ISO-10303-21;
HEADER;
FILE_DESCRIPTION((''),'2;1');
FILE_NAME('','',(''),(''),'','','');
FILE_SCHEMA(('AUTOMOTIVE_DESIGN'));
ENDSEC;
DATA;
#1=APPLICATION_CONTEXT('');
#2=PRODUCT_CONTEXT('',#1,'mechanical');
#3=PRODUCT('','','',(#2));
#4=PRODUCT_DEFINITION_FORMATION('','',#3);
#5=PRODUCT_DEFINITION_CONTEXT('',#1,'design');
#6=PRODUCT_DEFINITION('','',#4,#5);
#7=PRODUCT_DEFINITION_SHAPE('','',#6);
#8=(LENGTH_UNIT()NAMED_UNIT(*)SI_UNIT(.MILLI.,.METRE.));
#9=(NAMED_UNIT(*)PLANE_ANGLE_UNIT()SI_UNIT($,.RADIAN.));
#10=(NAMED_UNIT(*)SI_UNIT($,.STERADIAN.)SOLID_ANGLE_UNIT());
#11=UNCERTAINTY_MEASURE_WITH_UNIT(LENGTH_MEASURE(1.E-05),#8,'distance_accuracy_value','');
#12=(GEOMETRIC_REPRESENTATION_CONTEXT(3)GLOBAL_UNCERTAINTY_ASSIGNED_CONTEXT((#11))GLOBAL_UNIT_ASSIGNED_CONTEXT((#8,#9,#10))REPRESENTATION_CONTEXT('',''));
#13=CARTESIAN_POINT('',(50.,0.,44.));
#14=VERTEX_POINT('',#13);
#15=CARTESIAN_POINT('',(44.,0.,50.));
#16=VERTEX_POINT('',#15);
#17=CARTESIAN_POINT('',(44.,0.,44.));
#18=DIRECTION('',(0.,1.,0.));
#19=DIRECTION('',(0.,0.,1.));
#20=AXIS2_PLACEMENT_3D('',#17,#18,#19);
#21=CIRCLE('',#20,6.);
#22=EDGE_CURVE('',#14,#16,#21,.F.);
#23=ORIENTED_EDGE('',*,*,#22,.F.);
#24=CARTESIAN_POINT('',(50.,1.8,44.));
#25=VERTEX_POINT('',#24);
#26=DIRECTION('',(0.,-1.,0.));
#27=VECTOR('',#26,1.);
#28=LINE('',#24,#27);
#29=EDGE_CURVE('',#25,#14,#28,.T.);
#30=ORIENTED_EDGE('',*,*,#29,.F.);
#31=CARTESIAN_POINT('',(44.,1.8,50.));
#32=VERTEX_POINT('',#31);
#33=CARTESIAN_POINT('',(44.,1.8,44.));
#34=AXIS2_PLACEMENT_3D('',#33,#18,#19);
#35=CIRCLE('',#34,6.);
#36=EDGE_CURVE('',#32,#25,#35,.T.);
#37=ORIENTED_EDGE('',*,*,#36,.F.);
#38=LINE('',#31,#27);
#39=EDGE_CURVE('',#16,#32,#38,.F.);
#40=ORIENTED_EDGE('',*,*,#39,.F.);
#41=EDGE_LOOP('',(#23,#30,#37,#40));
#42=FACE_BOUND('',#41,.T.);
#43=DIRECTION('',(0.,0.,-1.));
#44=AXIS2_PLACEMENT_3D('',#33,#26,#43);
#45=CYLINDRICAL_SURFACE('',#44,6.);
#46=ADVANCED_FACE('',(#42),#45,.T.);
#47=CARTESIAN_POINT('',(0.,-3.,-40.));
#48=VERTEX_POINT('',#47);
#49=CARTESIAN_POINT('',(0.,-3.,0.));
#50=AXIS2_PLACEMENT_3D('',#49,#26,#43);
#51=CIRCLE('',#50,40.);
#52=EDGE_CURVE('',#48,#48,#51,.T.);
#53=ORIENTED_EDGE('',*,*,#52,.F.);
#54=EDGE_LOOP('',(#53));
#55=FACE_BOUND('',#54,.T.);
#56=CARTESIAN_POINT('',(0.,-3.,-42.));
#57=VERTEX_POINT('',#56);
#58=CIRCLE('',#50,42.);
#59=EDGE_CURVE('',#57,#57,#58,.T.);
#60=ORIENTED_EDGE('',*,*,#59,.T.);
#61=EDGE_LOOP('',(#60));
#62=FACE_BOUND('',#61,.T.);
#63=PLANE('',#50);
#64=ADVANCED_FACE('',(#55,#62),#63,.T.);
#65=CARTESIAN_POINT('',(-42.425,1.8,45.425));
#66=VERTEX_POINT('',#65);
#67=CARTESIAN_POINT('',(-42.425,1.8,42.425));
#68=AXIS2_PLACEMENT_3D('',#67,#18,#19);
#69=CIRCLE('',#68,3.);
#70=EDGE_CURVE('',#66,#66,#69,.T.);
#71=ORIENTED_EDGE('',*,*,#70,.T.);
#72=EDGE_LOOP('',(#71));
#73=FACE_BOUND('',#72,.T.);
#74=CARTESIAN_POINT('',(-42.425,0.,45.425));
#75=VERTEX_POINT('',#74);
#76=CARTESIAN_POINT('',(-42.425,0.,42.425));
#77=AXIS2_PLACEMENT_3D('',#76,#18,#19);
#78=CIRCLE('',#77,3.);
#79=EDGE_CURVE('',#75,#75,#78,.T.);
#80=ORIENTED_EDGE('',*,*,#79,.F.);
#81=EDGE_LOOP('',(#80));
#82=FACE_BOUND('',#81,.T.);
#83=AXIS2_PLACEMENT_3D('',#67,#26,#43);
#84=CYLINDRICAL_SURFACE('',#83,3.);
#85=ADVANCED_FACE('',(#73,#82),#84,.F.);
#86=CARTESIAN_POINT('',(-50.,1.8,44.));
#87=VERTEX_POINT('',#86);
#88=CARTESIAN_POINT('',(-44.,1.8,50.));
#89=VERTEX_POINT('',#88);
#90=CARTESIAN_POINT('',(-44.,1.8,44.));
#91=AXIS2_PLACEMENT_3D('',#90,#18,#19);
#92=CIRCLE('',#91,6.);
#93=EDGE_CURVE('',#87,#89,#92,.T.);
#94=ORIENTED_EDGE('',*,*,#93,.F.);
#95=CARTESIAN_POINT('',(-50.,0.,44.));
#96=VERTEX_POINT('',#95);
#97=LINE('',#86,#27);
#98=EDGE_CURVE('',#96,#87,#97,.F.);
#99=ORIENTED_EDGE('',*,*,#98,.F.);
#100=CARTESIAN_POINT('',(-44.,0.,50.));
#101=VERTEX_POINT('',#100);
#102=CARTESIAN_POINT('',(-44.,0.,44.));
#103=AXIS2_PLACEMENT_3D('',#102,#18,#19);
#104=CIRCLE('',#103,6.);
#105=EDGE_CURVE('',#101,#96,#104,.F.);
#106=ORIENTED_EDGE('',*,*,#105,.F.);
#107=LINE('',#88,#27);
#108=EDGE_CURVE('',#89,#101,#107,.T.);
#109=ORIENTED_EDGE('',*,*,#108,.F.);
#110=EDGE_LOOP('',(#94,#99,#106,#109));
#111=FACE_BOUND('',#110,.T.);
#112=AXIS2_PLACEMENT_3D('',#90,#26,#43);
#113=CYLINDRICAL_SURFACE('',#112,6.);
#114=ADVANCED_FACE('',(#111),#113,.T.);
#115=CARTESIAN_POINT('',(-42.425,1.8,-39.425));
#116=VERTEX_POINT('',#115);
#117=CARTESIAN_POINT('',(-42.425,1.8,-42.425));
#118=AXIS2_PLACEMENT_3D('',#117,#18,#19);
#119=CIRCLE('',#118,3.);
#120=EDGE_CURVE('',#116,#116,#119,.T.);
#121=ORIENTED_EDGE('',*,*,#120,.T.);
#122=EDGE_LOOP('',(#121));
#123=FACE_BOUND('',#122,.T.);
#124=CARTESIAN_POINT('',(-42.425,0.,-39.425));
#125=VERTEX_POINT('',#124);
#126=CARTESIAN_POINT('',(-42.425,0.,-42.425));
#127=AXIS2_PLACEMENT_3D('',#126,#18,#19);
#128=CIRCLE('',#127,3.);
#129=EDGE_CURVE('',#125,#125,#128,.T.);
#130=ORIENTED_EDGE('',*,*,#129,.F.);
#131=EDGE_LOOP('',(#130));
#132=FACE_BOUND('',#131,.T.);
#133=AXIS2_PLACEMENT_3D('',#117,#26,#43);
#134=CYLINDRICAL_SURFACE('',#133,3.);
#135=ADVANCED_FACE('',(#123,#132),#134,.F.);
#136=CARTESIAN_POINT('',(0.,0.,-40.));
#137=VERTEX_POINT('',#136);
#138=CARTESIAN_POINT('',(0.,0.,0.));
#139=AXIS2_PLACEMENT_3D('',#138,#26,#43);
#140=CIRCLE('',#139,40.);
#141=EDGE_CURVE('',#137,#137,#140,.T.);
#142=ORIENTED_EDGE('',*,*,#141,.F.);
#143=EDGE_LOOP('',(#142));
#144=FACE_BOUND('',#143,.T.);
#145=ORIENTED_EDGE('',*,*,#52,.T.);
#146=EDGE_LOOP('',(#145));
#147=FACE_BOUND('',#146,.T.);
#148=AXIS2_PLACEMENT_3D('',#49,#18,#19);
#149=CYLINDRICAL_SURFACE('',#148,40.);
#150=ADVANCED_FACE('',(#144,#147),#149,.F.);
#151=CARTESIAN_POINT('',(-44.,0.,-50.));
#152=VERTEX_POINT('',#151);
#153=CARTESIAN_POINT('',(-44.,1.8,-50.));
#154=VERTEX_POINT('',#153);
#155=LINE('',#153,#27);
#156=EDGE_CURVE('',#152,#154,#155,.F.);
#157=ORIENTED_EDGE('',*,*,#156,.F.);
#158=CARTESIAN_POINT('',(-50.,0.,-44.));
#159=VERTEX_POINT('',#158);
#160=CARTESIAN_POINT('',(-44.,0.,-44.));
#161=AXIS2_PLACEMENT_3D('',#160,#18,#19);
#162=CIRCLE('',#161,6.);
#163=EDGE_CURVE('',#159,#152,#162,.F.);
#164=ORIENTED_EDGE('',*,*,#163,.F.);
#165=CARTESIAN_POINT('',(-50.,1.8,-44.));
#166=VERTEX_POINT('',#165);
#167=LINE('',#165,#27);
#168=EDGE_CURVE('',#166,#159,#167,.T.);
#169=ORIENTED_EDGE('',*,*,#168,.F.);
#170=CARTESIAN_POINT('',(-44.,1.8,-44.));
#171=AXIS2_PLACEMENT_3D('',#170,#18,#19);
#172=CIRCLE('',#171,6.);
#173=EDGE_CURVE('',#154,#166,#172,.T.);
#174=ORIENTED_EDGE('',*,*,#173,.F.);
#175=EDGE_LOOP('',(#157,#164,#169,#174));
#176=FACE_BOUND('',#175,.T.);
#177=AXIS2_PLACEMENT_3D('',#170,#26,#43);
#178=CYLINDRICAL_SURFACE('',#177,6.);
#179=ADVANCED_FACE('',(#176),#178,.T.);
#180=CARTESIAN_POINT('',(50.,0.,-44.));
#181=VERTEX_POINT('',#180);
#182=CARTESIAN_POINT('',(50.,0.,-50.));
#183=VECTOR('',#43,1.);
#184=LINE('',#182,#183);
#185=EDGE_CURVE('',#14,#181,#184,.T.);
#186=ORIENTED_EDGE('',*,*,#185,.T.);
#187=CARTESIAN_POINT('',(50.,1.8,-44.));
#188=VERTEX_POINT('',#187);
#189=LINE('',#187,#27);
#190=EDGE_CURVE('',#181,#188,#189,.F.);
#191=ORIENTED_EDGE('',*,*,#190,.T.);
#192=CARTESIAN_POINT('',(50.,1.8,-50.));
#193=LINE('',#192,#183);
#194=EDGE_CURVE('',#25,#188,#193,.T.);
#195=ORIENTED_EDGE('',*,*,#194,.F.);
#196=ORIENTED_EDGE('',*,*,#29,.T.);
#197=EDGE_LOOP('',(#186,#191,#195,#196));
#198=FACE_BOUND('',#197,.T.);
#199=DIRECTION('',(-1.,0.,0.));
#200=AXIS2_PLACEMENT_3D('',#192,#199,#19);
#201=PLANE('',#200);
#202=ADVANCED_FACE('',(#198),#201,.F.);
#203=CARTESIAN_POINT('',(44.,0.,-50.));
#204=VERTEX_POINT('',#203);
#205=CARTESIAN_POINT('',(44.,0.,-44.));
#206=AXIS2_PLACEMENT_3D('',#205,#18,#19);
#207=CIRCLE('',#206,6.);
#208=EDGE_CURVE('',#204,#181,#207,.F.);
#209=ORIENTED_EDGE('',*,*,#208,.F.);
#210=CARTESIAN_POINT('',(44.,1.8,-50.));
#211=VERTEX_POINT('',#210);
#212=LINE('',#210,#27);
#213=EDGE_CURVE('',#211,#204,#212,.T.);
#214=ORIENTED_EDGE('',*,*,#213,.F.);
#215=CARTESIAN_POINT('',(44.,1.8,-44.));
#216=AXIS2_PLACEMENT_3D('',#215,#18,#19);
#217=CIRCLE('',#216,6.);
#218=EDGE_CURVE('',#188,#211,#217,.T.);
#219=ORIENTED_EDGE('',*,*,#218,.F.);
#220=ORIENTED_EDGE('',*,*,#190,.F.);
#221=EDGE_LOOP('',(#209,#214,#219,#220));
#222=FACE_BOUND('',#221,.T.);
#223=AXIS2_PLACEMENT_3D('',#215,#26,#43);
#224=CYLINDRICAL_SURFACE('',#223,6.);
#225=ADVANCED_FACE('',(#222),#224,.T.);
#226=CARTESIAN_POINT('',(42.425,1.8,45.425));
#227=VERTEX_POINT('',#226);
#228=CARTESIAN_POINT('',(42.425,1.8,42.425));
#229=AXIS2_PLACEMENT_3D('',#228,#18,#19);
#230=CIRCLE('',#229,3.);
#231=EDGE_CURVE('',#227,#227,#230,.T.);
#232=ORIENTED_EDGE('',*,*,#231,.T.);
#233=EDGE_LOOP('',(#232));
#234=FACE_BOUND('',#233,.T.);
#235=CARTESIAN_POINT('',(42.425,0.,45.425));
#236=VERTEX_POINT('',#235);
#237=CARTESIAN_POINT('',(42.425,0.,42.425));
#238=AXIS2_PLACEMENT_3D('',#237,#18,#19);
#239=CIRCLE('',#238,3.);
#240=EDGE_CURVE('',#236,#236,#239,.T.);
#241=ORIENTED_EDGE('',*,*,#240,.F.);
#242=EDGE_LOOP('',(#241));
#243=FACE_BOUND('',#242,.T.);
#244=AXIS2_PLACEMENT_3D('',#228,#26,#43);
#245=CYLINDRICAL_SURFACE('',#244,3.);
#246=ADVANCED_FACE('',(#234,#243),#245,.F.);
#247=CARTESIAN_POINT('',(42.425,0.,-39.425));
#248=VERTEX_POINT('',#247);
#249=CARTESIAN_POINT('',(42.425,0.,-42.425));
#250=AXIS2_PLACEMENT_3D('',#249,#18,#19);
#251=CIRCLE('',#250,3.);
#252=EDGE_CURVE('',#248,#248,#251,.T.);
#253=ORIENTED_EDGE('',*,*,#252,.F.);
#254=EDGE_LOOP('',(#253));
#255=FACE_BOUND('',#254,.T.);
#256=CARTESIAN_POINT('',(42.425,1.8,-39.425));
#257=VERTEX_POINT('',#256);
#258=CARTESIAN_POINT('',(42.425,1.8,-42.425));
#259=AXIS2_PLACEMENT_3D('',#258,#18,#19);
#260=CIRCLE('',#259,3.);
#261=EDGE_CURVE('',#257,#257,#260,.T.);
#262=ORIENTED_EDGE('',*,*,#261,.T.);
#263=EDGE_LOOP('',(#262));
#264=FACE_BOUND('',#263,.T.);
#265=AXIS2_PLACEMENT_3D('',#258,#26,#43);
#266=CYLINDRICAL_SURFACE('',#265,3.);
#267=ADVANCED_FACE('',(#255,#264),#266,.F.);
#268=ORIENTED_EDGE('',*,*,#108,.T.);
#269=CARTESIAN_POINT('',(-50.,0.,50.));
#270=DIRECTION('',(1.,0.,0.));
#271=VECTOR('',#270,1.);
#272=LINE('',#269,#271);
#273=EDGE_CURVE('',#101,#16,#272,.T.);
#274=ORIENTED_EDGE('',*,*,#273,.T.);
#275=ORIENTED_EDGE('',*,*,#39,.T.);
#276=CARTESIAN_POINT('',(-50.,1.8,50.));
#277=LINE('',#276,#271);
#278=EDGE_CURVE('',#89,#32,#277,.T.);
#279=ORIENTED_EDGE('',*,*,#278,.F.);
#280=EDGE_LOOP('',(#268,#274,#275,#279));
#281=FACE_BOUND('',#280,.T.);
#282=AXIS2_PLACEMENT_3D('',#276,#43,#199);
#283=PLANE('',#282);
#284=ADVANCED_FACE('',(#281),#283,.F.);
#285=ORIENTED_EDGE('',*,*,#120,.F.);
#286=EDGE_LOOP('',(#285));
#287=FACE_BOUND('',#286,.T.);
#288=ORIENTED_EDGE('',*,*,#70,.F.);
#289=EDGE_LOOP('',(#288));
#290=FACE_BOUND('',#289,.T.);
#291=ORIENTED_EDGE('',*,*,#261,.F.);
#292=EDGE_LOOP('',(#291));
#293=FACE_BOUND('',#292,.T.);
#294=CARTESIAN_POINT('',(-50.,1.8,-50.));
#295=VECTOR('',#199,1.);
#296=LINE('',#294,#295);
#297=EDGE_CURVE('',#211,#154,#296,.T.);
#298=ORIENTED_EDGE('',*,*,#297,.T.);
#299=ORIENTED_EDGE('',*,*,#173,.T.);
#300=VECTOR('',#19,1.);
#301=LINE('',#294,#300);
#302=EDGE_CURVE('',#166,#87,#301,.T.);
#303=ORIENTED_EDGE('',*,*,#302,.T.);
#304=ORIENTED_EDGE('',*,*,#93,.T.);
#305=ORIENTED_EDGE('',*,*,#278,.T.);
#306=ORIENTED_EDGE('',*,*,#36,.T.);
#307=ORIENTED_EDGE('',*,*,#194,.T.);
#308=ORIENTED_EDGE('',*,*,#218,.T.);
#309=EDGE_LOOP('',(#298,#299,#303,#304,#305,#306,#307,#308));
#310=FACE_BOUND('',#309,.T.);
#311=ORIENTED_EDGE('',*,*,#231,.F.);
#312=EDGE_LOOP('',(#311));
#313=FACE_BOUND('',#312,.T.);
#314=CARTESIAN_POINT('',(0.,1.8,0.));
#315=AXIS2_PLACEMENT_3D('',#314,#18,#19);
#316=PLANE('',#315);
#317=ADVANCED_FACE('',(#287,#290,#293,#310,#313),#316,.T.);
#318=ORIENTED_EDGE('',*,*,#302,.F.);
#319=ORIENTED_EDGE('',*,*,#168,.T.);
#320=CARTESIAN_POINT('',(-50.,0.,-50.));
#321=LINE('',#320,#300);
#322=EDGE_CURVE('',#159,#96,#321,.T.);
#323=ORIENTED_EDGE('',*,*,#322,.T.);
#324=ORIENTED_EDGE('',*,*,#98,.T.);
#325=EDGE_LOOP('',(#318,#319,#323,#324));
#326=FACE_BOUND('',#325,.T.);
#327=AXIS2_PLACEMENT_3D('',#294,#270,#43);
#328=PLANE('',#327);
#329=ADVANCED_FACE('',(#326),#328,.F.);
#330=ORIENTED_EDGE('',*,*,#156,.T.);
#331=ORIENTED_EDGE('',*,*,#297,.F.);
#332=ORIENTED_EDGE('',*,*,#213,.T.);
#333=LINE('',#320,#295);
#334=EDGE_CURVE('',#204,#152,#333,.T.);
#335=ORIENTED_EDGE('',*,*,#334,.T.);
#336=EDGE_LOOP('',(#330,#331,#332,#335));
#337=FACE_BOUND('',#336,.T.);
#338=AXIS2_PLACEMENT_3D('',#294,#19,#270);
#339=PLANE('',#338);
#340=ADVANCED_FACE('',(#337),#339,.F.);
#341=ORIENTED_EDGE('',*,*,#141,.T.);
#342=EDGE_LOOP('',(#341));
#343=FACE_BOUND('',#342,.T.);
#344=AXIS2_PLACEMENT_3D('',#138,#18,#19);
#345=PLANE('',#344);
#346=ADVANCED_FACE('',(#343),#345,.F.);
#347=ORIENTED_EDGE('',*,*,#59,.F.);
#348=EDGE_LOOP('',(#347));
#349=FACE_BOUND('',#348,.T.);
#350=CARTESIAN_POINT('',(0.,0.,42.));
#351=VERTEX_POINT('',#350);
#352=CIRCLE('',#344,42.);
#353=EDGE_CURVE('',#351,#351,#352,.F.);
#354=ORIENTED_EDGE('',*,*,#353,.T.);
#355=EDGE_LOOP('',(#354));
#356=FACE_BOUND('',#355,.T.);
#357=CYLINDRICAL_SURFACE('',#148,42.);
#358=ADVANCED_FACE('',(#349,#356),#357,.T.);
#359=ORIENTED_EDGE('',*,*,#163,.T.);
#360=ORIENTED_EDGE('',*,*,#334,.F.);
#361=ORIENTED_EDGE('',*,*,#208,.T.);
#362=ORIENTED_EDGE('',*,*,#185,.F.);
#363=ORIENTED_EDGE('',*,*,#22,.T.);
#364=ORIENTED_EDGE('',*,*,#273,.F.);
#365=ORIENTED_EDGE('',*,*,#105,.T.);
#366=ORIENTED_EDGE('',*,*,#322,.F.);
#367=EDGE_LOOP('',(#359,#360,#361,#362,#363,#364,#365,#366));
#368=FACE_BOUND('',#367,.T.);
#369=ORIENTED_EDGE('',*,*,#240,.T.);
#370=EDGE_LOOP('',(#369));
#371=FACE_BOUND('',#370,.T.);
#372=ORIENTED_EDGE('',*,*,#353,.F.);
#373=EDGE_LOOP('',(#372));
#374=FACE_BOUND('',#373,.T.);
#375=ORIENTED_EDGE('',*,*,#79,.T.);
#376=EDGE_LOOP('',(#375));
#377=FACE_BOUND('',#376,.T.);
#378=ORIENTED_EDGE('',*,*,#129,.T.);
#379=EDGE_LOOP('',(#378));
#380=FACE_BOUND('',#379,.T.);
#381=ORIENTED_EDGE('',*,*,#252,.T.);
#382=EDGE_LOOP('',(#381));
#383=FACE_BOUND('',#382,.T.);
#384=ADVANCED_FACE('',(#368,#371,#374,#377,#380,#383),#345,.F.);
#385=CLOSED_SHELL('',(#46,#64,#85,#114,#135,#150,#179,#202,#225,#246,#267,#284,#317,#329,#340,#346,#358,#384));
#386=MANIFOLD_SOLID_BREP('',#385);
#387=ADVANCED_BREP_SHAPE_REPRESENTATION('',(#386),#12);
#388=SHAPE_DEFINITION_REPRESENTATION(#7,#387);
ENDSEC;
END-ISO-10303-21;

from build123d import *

# Parameters (mm, degrees)
SKETCH2_W           = 100
SKETCH2_H           = 100
SKETCH2_R           = 3
BOSS_EXTRUDE1_DEPTH = 1.8
FILLET1_R           = 6
SKETCH3_R           = 42
SKETCH3_R_2         = 40
BOSS_EXTRUDE2_DEPTH = 3


with BuildPart() as part:
    # Sketch2 → Boss-Extrude1 (new body)
    with BuildSketch(Plane(origin=(0, 0, 0), x_dir=(1, 0, 0), z_dir=(0, 1, 0))):
        Rectangle(SKETCH2_W, SKETCH2_H)
        with Locations(Location((-42.425, 42.425, 0), (0, 0, 270))):
            Circle(SKETCH2_R, mode=Mode.SUBTRACT)
        with Locations(Location((42.425, 42.425, 0), (0, 0, 270))):
            Circle(SKETCH2_R, mode=Mode.SUBTRACT)
        with Locations(Location((42.425, -42.425, 0), (0, 0, 270))):
            Circle(SKETCH2_R, mode=Mode.SUBTRACT)
        with Locations(Location((-42.425, -42.425, 0), (0, 0, 270))):
            Circle(SKETCH2_R, mode=Mode.SUBTRACT)
    extrude(amount=BOSS_EXTRUDE1_DEPTH)

    # Fillet1
    fillet1_edges = [part.edges().sort_by_distance(p)[0] for p in [
        (50, 0.9, 50),
        (-50, 0.9, 50),
        (-50, 0.9, -50),
        (50, 0.9, -50),
    ]]
    fillet(fillet1_edges, radius=FILLET1_R)

    # Sketch3 → Boss-Extrude2 (add)
    with BuildSketch(Plane.XZ):
        with Locations(Location((0, 0, 0), (0, 0, 90))):
            Circle(SKETCH3_R)
        with Locations(Location((0, 0, 0), (0, 0, 270))):
            Circle(SKETCH3_R_2, mode=Mode.SUBTRACT)
    extrude(amount=BOSS_EXTRUDE2_DEPTH)


solid = part.part
